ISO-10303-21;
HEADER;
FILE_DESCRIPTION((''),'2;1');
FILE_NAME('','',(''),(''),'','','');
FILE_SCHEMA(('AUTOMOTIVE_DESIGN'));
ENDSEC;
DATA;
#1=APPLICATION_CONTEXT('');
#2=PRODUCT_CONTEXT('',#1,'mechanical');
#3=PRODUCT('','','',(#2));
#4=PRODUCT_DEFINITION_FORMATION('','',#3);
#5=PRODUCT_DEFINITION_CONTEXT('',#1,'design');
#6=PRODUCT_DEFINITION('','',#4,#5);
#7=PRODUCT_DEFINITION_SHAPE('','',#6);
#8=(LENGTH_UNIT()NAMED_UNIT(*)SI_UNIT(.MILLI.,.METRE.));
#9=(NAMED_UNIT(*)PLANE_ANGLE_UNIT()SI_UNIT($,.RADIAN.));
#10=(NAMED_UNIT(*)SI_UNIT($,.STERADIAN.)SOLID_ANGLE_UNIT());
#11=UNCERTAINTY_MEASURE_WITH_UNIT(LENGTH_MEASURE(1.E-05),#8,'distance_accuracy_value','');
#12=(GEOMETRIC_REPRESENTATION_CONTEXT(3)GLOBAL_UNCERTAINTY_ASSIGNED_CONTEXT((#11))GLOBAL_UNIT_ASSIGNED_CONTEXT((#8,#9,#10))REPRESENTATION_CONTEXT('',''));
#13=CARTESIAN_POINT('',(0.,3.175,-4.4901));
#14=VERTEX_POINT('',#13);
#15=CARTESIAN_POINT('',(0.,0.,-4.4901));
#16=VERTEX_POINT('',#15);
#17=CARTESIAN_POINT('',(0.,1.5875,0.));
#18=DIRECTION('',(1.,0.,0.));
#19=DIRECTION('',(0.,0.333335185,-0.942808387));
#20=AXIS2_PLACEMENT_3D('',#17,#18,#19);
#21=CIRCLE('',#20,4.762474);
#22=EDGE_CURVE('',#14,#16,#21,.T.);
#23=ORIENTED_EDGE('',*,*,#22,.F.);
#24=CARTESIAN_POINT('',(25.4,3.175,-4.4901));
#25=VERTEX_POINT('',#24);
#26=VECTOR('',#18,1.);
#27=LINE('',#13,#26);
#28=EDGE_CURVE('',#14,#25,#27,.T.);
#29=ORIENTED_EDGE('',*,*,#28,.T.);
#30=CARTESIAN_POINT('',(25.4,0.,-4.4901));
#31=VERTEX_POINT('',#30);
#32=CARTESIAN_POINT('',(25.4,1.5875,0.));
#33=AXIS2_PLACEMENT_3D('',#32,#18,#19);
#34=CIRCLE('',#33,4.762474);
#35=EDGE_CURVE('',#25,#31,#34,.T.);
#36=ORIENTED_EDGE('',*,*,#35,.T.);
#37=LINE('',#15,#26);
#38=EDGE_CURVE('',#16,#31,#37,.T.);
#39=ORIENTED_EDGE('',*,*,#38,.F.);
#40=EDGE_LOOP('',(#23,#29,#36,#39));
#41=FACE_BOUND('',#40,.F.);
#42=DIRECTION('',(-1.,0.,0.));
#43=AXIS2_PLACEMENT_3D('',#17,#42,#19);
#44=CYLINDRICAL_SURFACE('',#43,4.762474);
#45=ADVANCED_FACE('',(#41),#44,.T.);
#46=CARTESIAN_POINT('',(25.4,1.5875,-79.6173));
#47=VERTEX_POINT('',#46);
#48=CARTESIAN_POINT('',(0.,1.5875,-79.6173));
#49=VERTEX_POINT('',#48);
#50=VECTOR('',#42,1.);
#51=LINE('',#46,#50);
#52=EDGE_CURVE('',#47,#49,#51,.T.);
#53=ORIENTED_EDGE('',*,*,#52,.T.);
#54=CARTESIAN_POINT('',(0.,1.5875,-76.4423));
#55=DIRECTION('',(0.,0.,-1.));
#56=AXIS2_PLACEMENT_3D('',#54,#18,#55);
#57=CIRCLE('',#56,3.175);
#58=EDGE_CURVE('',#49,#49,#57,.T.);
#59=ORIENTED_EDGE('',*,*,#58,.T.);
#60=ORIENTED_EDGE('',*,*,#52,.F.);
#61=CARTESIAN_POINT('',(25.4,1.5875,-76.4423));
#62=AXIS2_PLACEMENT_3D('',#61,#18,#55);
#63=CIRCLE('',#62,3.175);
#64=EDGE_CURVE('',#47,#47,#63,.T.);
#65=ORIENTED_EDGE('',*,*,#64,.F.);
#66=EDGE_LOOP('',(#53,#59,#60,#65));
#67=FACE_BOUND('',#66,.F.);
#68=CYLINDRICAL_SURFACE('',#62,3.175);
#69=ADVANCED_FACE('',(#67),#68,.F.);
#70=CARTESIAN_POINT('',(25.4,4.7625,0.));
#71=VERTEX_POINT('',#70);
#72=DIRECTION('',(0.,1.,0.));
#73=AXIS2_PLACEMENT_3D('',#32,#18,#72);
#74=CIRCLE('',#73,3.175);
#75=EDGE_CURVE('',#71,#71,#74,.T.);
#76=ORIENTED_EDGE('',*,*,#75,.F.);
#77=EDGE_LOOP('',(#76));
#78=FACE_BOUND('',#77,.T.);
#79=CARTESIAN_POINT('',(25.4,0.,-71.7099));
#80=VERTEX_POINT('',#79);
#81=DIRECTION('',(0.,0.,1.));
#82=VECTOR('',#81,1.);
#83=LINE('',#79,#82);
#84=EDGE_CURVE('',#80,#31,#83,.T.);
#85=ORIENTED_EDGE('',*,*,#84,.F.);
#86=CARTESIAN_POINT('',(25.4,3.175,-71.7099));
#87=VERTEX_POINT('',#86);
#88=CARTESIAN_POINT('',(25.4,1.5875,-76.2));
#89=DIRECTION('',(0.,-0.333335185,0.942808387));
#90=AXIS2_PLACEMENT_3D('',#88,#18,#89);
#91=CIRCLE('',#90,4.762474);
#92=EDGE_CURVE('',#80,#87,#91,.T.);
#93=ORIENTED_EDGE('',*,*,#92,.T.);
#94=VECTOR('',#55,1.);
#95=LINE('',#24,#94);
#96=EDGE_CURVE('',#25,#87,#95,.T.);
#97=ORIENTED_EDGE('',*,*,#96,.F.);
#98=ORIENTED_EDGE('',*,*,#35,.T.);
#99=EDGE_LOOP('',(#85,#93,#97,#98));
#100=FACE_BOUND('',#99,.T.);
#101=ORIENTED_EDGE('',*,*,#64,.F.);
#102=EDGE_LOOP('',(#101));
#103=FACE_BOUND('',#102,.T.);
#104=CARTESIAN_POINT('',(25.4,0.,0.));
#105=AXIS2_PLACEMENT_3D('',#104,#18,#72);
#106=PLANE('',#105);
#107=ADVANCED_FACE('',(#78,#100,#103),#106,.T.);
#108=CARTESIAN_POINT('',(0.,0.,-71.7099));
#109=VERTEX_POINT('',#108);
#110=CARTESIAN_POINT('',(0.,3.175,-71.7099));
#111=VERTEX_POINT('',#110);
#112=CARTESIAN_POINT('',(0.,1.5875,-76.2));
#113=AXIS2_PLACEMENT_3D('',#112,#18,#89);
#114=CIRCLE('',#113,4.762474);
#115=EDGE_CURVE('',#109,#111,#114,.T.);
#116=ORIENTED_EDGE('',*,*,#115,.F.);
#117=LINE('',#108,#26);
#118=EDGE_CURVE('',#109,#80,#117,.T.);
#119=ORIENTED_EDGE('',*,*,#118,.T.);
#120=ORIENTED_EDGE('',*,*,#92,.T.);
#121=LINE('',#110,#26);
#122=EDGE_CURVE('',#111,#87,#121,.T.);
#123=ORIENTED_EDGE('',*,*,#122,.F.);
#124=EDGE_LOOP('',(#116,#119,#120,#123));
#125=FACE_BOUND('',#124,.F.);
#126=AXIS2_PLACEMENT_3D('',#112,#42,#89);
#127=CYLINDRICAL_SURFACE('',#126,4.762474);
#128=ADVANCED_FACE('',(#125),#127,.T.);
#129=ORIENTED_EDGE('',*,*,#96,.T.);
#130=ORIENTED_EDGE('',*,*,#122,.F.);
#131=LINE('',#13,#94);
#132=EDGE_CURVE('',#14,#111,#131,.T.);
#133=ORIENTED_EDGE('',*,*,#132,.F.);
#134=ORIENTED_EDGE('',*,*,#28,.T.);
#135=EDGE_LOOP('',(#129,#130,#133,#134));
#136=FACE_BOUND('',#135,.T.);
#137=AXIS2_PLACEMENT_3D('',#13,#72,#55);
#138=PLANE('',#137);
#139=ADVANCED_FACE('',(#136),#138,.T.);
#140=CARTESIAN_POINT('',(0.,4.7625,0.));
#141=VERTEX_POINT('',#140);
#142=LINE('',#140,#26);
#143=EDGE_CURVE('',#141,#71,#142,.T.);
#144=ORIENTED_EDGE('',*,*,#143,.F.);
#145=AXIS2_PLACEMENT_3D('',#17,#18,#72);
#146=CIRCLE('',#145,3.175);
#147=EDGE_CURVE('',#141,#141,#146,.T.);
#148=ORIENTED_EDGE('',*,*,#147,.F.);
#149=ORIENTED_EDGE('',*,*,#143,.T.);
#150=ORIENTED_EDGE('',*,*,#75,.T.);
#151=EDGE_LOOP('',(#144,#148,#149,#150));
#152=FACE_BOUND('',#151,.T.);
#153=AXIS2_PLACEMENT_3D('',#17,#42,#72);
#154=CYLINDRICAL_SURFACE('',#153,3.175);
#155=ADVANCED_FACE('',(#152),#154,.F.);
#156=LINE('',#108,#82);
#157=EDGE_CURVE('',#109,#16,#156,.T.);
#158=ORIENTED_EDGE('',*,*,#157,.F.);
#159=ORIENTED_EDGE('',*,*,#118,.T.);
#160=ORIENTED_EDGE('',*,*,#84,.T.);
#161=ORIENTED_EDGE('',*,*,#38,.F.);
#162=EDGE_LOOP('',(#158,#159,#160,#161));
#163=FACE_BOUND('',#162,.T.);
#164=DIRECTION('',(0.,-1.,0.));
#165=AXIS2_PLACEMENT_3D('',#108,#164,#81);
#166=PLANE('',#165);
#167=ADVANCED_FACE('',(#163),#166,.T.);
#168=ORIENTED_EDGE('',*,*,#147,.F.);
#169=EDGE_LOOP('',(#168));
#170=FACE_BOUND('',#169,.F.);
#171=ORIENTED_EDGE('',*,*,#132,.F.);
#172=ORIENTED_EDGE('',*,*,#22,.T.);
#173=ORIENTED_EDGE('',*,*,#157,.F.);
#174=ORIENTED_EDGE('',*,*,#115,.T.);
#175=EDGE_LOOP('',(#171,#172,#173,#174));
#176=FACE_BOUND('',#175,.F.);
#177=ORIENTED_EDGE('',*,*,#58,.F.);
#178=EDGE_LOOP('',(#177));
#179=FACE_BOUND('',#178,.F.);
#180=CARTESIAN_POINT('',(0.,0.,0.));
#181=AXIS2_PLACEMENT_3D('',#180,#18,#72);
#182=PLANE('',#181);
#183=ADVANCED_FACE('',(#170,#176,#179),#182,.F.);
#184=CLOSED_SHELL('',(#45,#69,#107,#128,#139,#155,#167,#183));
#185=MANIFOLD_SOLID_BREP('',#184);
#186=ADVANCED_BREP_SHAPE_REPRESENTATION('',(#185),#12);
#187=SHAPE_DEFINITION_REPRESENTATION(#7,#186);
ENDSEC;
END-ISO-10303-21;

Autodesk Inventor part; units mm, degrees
ref_plane "YZ Plane" through (0, 0, 0) normal (1, 0, 0) x (0, 1, 0)
ref_plane "XZ Plane" through (0, 0, 0) normal (0, 1, 0) x (-1, 0, 0)
ref_plane "XY Plane" through (0, 0, 0) normal (0, 0, 1) x (1, 0, 0)
sketch "Sketch1" plane through (0, 0, 0) normal (1, 0, 0) x (0, 1, 0)
  line L0 (3.175, -4.4901) -> (3.175, -71.7099)
  line L1 (0, -71.7099) -> (0, -4.4901)
  arc A0 (3.175, -4.4901) -> (0, -4.4901) centre (1.5875, 0) ccw
  circle A1 centre (1.5875, 0) radius 3.175
  circle A2 centre (1.5875, -76.2) radius 3.175
  arc A3 (0, -71.7099) -> (3.175, -71.7099) centre (1.5875, -76.2) ccw
  point P0 (0, 0)
  point P1 (0, -73.4504)
  dimension "d7" = 6.35
  dimension "d0" = 3.175
  dimension "d2" = 6.35
  dimension "d3" = 1.5875
  dimension "d6" = 1.5875
extrude "Extrusion1" add sketch "Sketch1" along normal blind 25.4 contours L0 A3 L1 A0 | A2
sketch "Sketch2" plane through (25.4, 0, 0) normal (1, 0, 0) x (0, 0, -1)
  circle A0 centre (76.4423, 1.5875) radius 3.175
  arc A1 (71.7099, 0) -> (71.7099, 3.175) centre (76.2, 1.5875) ccw projected
  point P0 (0, 0)
  dimension "d8" = 0
  dimension "d9" = 6.35
extrude "Extrusion2" cut sketch "Sketch2" against normal through all
properties part number "aimingrails" material "Aluminum 6061"
